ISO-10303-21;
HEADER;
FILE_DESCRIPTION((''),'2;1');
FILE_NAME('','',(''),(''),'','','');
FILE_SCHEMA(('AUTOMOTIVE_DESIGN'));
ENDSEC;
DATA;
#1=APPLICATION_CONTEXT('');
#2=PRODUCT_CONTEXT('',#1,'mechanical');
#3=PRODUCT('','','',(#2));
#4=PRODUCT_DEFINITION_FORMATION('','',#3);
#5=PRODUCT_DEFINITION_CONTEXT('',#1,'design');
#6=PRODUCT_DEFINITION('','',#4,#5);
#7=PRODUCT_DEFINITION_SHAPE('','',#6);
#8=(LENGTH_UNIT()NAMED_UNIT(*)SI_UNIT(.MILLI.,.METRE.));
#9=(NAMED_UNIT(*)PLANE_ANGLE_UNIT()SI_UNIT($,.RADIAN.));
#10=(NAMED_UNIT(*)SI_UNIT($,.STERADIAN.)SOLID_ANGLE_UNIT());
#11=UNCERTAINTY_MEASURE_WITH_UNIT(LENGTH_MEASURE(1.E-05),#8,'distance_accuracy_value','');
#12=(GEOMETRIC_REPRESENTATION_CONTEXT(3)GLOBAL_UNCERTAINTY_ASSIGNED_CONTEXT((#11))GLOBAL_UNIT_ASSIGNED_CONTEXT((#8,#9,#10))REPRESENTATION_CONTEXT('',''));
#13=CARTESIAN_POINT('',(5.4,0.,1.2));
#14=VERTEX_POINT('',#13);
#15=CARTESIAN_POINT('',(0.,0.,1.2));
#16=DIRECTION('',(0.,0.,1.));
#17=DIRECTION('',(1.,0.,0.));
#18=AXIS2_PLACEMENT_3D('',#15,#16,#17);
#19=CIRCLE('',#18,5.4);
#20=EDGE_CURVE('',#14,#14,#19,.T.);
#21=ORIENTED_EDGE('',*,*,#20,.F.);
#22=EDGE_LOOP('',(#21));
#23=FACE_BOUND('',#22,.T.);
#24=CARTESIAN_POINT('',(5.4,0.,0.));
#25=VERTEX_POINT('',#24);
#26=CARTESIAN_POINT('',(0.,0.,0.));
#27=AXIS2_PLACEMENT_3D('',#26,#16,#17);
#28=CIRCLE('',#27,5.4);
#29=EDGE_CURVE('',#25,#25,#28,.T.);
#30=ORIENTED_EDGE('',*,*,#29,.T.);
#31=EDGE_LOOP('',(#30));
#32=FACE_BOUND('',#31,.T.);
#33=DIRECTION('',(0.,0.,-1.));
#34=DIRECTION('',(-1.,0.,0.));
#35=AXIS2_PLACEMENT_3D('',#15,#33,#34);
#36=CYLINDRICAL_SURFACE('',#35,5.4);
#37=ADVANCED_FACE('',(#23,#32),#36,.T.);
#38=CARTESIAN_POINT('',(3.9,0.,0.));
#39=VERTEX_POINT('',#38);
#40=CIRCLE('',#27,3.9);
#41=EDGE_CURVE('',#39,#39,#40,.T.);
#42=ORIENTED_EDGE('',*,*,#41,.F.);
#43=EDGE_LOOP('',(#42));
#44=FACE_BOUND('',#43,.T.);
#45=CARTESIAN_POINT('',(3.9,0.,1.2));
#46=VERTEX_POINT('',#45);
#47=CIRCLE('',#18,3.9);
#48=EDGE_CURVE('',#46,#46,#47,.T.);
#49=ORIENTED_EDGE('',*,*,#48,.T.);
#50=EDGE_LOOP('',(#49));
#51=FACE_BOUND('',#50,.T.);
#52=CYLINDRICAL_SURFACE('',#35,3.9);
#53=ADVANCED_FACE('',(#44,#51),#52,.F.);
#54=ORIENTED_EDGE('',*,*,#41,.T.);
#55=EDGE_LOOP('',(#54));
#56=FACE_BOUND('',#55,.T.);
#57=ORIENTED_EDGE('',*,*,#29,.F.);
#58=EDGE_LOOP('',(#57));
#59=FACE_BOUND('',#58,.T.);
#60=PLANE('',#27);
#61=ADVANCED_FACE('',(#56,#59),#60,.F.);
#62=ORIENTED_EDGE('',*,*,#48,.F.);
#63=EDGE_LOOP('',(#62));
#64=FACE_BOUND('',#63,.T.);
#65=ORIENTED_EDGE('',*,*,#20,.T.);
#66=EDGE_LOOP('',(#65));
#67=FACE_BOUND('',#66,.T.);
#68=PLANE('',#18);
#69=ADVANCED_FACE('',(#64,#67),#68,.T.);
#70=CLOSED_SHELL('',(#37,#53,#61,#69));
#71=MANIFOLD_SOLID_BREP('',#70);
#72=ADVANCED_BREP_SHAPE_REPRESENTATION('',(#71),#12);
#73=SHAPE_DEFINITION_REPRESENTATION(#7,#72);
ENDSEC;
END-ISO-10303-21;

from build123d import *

# Parameters (mm, degrees)
SKETCH_1_R      = 5.4
SKETCH_1_R_2    = 3.9
EXTRUDE_1_DEPTH = 1.2


with BuildPart() as part:
    # 草图1 → 凸台-拉伸1 (new body)
    with BuildSketch(Plane.XY):
        Circle(SKETCH_1_R)
        Circle(SKETCH_1_R_2, mode=Mode.SUBTRACT)
    extrude(amount=EXTRUDE_1_DEPTH)


solid = part.part
